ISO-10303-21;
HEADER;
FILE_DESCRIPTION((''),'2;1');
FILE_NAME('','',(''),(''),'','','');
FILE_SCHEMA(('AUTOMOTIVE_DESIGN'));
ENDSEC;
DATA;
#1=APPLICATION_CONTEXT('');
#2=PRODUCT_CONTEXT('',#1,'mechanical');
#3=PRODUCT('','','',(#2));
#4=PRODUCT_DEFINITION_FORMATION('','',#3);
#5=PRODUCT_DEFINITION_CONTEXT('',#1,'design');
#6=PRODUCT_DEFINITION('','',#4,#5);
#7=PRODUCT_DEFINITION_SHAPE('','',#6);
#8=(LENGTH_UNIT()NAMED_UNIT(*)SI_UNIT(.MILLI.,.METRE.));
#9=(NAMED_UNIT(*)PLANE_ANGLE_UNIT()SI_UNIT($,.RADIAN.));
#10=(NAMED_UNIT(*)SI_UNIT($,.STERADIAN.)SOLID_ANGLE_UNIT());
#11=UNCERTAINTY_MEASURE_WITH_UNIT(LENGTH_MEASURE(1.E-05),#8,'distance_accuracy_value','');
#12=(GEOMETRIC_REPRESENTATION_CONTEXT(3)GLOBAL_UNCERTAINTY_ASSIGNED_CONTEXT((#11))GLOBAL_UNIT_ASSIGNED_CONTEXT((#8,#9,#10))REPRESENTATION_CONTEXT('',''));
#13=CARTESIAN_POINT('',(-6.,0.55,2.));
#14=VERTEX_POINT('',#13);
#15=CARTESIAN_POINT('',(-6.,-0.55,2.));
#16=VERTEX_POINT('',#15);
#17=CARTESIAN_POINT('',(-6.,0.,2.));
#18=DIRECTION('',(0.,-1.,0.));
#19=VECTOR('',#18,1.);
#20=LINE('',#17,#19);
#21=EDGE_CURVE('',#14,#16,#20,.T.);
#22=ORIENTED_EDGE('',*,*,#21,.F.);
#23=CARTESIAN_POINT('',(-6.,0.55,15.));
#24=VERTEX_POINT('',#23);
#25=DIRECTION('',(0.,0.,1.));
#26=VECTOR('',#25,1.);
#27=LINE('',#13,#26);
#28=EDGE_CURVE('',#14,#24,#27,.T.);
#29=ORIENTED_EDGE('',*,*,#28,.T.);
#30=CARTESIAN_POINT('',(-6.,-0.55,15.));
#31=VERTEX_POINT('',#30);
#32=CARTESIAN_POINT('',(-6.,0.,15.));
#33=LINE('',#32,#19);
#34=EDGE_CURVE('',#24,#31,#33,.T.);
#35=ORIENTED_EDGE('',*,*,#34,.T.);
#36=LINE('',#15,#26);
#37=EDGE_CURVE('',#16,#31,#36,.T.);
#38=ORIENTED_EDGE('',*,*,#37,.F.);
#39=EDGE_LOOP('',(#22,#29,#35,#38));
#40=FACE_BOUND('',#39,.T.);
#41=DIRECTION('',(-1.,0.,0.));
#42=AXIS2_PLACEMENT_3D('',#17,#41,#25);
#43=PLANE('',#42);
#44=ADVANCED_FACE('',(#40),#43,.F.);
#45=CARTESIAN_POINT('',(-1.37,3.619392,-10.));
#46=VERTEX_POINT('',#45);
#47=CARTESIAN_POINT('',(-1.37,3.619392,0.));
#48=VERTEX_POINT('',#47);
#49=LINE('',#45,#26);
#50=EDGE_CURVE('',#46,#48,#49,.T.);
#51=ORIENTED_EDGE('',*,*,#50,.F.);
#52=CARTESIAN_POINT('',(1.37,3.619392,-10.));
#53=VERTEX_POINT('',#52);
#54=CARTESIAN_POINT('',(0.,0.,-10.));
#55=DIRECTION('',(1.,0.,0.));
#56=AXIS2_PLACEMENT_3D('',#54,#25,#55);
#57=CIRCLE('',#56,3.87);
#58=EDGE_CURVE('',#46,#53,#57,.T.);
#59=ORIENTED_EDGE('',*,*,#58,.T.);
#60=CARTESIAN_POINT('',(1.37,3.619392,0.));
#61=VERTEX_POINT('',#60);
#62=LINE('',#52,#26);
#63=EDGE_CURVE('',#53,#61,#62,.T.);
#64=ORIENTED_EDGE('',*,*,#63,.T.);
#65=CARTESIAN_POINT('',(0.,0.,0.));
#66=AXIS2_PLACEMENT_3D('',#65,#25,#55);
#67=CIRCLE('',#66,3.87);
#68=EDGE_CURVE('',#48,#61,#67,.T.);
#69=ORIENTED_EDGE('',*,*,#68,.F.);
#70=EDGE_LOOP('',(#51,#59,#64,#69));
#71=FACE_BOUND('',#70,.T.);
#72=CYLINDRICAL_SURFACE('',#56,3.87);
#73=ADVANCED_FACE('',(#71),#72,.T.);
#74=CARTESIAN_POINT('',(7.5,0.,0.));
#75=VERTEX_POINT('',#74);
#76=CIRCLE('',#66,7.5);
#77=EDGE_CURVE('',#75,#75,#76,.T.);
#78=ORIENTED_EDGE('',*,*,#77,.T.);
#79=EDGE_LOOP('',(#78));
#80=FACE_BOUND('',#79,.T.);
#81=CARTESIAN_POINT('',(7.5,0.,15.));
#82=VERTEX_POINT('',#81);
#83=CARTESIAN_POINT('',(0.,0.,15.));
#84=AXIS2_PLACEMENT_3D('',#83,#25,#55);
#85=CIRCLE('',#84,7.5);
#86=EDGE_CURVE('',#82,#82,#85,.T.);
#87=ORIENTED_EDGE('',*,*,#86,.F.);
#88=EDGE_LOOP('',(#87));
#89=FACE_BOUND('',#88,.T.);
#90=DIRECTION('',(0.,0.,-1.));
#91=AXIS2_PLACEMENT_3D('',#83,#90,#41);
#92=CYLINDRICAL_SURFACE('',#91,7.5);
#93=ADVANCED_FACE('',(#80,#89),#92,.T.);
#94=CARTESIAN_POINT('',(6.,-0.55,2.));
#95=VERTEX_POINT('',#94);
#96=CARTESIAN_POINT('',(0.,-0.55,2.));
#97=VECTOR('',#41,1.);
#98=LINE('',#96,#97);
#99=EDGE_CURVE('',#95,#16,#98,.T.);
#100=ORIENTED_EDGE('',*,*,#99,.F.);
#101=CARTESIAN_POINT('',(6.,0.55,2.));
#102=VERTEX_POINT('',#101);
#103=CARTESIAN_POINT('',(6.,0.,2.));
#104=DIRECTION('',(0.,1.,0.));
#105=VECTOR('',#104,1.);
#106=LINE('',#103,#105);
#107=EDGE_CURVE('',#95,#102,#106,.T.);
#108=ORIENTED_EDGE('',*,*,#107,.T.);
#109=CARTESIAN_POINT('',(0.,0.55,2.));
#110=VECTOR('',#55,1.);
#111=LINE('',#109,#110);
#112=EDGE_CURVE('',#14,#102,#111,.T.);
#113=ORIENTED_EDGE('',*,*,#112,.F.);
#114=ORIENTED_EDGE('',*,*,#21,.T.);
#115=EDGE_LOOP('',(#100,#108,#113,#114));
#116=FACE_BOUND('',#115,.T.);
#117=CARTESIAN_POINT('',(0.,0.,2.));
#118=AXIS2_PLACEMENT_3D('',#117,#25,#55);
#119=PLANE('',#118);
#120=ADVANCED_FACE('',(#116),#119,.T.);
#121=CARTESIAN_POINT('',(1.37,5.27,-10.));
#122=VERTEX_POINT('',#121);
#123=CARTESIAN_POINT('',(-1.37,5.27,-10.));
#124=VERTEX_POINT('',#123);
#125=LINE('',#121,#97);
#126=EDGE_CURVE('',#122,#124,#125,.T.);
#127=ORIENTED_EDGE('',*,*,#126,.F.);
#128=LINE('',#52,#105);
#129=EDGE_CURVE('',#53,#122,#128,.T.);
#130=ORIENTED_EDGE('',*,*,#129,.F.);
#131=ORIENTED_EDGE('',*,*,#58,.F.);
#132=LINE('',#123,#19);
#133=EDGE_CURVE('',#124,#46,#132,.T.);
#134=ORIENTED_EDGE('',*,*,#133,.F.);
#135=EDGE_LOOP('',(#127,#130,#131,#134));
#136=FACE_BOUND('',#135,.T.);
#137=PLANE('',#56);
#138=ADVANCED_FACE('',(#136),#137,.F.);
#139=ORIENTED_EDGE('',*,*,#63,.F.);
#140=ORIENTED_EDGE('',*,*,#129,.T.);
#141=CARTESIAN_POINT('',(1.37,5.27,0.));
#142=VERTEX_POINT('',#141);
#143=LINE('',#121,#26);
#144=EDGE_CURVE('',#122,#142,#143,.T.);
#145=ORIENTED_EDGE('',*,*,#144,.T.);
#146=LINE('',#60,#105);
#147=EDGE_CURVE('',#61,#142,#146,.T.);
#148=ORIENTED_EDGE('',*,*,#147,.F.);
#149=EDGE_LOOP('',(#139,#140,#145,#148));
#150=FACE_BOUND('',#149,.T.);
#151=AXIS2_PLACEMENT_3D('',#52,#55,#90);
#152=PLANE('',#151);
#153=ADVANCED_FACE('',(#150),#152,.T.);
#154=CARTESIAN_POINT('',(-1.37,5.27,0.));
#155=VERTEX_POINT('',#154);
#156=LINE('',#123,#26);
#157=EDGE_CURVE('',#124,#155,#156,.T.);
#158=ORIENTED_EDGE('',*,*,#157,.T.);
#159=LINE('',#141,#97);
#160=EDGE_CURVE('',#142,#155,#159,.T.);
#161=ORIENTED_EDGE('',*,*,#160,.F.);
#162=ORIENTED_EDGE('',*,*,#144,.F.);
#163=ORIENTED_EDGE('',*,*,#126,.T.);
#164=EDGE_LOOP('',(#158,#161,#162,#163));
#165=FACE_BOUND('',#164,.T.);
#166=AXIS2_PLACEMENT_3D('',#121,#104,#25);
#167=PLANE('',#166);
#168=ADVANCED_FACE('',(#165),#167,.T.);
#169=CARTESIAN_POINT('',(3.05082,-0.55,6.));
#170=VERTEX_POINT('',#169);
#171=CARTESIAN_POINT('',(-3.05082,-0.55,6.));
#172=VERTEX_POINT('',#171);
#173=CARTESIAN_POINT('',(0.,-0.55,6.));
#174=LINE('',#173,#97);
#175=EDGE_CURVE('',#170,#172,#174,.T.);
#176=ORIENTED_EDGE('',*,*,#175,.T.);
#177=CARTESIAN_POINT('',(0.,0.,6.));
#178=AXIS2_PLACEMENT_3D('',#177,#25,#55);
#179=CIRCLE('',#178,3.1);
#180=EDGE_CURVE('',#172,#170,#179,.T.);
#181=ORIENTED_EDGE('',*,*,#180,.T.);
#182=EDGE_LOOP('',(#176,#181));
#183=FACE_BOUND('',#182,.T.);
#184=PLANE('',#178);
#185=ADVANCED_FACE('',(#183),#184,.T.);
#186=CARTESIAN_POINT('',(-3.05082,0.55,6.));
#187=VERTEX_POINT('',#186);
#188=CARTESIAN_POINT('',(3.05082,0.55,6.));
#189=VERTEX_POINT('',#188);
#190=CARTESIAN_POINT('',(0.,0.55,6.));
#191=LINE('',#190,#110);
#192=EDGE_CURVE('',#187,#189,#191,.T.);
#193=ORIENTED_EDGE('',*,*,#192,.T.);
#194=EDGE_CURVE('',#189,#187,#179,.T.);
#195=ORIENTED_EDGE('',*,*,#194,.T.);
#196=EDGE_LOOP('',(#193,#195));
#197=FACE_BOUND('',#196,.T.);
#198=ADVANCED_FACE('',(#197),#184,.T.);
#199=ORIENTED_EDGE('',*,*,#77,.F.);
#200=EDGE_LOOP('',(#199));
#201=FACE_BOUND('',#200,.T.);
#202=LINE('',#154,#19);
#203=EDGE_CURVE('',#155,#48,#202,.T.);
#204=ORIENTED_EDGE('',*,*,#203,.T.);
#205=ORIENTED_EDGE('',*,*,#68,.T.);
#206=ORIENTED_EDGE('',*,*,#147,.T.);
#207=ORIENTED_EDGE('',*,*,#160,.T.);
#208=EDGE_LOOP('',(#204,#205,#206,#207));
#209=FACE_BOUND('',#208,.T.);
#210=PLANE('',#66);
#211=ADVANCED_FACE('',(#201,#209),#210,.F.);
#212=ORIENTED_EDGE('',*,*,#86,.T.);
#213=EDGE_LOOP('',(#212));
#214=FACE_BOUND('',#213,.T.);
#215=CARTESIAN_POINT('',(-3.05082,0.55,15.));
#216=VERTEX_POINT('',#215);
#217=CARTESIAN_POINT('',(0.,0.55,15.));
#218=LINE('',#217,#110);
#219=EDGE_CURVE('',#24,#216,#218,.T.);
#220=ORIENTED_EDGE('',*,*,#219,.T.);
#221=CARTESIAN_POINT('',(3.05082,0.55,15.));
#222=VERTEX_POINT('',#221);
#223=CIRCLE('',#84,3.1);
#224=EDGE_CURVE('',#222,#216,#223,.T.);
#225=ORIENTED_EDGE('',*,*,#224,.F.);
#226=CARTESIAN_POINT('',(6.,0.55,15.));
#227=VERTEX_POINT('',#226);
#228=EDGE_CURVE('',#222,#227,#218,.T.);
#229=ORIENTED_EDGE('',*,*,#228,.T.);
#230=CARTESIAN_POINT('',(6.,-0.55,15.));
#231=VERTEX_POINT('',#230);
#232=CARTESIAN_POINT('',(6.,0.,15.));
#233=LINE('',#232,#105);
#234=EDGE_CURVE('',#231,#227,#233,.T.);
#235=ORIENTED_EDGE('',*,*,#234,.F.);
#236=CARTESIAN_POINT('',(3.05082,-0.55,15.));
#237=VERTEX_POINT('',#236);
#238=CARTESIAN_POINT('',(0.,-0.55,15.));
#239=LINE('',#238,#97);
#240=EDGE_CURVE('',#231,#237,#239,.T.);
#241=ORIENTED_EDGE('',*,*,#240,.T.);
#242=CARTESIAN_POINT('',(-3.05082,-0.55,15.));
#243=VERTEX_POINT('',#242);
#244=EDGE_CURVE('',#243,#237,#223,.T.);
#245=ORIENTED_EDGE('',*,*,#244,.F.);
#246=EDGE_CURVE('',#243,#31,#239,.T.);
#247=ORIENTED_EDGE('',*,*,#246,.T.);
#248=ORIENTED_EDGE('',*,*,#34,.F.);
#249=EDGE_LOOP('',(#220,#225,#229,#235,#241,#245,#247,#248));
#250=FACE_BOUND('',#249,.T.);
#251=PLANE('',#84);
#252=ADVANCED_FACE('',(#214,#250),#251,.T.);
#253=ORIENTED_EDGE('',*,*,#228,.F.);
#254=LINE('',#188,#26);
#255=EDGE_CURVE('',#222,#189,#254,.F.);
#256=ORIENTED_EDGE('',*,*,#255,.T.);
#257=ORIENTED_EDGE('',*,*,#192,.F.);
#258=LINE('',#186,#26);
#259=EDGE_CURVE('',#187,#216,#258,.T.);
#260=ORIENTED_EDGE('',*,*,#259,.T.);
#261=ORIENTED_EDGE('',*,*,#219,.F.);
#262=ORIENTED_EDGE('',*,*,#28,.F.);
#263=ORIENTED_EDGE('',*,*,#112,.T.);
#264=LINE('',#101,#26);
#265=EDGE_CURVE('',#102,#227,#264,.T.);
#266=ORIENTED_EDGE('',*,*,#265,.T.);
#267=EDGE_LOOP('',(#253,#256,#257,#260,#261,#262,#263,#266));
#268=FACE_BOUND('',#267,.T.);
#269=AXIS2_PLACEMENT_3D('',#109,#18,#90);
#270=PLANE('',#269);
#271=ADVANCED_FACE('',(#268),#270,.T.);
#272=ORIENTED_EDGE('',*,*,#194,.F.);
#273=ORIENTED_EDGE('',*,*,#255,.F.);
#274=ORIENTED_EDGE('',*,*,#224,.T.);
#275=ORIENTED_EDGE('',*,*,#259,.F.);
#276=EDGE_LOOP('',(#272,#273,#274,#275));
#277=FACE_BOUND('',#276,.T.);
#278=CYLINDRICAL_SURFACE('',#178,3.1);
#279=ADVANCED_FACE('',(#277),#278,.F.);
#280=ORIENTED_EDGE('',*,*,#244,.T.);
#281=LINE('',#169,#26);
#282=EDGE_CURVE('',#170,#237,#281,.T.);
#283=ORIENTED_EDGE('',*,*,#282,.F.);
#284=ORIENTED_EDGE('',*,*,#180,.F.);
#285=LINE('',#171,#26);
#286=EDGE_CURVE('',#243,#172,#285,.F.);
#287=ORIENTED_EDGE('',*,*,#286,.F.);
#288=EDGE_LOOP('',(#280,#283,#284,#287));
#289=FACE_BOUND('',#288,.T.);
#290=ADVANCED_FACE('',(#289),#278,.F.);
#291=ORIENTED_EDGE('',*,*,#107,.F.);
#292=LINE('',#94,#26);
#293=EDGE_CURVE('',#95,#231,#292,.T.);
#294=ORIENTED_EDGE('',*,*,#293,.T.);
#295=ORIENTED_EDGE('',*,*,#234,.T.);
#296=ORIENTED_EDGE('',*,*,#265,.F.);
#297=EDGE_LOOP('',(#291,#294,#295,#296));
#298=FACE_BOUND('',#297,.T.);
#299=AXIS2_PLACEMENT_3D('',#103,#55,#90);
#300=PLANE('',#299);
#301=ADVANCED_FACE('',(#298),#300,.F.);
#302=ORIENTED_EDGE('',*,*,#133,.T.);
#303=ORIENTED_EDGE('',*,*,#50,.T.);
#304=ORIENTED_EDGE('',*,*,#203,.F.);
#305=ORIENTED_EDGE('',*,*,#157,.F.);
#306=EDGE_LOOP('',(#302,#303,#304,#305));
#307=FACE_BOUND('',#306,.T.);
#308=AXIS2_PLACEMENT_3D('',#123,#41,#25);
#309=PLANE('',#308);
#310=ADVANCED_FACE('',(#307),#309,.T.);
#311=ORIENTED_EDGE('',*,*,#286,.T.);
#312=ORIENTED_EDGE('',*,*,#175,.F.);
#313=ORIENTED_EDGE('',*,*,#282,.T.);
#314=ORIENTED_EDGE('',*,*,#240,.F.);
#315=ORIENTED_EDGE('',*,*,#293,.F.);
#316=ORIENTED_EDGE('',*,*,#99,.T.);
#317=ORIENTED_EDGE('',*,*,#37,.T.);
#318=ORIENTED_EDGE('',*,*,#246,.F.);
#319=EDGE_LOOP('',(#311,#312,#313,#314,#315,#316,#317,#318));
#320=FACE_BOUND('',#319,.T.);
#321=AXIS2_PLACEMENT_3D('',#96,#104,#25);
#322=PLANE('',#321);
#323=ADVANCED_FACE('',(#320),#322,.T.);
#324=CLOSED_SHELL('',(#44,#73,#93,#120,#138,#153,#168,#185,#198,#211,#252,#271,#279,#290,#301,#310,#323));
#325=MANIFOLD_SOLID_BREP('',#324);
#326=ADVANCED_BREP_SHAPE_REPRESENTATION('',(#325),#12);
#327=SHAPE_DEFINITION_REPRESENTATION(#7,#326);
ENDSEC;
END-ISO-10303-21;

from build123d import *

# Parameters (mm, degrees)
BOSS_EXTRUDE1_DEPTH = 10
SKETCH5_R           = 7.5
BOSS_EXTRUDE2_DEPTH = 15
SKETCH8_R           = 3.1
CUT_EXTRUDE1_DEPTH  = 9
CUT_EXTRUDE2_DEPTH  = 13


with BuildPart() as part:
    # Sketch4 → Boss-Extrude1 (new body)
    with BuildSketch(Plane.XY):
        with BuildLine():
            Line((-1.37, 5.27), (-1.37, 3.619392214))
            ThreePointArc((-1.37, 3.619392214), (0, -3.87), (1.37, 3.619392214))
            Line((1.37, 3.619392214), (1.37, 5.27))
            Line((1.37, 5.27), (-1.37, 5.27))
        make_face()
    extrude(amount=-BOSS_EXTRUDE1_DEPTH)

    # Sketch5 → Boss-Extrude2 (add)
    with BuildSketch(Plane.XY):
        Circle(SKETCH5_R)
    extrude(amount=BOSS_EXTRUDE2_DEPTH)

    # Sketch8 → Cut-Extrude1 (cut)
    with BuildSketch(Plane.XY.offset(15)):
        Circle(SKETCH8_R)
    extrude(amount=-CUT_EXTRUDE1_DEPTH, mode=Mode.SUBTRACT)

    # Sketch9 → Cut-Extrude2 (cut)
    with BuildSketch(Plane.XY.offset(15)):
        with BuildLine():
            Line((-3.1, 0), (0, 0))
            Line((0, 0), (3.1, 0))
            ThreePointArc((3.1, 0), (3.087680411, 0.276097227), (3.050819562, 0.55))
            Line((3.050819562, 0.55), (0, 0.55))
            Line((0, 0.55), (-3.050819562, 0.55))
            ThreePointArc((-3.050819562, 0.55), (-3.087680411, 0.276097227), (-3.1, 0))
        make_face()
        with BuildLine():
            Line((-6, 0), (-3.1, 0))
            ThreePointArc((-3.1, 0), (-3.087680411, 0.276097227), (-3.050819562, 0.55))
            Line((-3.050819562, 0.55), (-6, 0.55))
            Line((-6, 0.55), (-6, 0))
        make_face()
        with BuildLine():
            ThreePointArc((-3.050819562, -0.55), (-3.087680411, -0.276097227), (-3.1, 0))
            Line((-3.1, 0), (-6, 0))
            Line((-6, 0), (-6, -0.55))
            Line((-6, -0.55), (-3.050819562, -0.55))
        make_face()
        with BuildLine():
            Line((3.1, 0), (0, 0))
            Line((0, 0), (-3.1, 0))
            ThreePointArc((-3.1, 0), (-3.087680411, -0.276097227), (-3.050819562, -0.55))
            Line((-3.050819562, -0.55), (0, -0.55))
            Line((0, -0.55), (3.050819562, -0.55))
            ThreePointArc((3.050819562, -0.55), (3.087680411, -0.276097227), (3.1, 0))
        make_face()
        with BuildLine():
            Line((6, 0), (3.1, 0))
            ThreePointArc((3.1, 0), (3.087680411, -0.276097227), (3.050819562, -0.55))
            Line((3.050819562, -0.55), (6, -0.55))
            Line((6, -0.55), (6, 0))
        make_face()
        with BuildLine():
            ThreePointArc((3.050819562, 0.55), (3.087680411, 0.276097227), (3.1, 0))
            Line((3.1, 0), (6, 0))
            Line((6, 0), (6, 0.55))
            Line((6, 0.55), (3.050819562, 0.55))
        make_face()
    extrude(amount=-CUT_EXTRUDE2_DEPTH, mode=Mode.SUBTRACT)


solid = part.part
